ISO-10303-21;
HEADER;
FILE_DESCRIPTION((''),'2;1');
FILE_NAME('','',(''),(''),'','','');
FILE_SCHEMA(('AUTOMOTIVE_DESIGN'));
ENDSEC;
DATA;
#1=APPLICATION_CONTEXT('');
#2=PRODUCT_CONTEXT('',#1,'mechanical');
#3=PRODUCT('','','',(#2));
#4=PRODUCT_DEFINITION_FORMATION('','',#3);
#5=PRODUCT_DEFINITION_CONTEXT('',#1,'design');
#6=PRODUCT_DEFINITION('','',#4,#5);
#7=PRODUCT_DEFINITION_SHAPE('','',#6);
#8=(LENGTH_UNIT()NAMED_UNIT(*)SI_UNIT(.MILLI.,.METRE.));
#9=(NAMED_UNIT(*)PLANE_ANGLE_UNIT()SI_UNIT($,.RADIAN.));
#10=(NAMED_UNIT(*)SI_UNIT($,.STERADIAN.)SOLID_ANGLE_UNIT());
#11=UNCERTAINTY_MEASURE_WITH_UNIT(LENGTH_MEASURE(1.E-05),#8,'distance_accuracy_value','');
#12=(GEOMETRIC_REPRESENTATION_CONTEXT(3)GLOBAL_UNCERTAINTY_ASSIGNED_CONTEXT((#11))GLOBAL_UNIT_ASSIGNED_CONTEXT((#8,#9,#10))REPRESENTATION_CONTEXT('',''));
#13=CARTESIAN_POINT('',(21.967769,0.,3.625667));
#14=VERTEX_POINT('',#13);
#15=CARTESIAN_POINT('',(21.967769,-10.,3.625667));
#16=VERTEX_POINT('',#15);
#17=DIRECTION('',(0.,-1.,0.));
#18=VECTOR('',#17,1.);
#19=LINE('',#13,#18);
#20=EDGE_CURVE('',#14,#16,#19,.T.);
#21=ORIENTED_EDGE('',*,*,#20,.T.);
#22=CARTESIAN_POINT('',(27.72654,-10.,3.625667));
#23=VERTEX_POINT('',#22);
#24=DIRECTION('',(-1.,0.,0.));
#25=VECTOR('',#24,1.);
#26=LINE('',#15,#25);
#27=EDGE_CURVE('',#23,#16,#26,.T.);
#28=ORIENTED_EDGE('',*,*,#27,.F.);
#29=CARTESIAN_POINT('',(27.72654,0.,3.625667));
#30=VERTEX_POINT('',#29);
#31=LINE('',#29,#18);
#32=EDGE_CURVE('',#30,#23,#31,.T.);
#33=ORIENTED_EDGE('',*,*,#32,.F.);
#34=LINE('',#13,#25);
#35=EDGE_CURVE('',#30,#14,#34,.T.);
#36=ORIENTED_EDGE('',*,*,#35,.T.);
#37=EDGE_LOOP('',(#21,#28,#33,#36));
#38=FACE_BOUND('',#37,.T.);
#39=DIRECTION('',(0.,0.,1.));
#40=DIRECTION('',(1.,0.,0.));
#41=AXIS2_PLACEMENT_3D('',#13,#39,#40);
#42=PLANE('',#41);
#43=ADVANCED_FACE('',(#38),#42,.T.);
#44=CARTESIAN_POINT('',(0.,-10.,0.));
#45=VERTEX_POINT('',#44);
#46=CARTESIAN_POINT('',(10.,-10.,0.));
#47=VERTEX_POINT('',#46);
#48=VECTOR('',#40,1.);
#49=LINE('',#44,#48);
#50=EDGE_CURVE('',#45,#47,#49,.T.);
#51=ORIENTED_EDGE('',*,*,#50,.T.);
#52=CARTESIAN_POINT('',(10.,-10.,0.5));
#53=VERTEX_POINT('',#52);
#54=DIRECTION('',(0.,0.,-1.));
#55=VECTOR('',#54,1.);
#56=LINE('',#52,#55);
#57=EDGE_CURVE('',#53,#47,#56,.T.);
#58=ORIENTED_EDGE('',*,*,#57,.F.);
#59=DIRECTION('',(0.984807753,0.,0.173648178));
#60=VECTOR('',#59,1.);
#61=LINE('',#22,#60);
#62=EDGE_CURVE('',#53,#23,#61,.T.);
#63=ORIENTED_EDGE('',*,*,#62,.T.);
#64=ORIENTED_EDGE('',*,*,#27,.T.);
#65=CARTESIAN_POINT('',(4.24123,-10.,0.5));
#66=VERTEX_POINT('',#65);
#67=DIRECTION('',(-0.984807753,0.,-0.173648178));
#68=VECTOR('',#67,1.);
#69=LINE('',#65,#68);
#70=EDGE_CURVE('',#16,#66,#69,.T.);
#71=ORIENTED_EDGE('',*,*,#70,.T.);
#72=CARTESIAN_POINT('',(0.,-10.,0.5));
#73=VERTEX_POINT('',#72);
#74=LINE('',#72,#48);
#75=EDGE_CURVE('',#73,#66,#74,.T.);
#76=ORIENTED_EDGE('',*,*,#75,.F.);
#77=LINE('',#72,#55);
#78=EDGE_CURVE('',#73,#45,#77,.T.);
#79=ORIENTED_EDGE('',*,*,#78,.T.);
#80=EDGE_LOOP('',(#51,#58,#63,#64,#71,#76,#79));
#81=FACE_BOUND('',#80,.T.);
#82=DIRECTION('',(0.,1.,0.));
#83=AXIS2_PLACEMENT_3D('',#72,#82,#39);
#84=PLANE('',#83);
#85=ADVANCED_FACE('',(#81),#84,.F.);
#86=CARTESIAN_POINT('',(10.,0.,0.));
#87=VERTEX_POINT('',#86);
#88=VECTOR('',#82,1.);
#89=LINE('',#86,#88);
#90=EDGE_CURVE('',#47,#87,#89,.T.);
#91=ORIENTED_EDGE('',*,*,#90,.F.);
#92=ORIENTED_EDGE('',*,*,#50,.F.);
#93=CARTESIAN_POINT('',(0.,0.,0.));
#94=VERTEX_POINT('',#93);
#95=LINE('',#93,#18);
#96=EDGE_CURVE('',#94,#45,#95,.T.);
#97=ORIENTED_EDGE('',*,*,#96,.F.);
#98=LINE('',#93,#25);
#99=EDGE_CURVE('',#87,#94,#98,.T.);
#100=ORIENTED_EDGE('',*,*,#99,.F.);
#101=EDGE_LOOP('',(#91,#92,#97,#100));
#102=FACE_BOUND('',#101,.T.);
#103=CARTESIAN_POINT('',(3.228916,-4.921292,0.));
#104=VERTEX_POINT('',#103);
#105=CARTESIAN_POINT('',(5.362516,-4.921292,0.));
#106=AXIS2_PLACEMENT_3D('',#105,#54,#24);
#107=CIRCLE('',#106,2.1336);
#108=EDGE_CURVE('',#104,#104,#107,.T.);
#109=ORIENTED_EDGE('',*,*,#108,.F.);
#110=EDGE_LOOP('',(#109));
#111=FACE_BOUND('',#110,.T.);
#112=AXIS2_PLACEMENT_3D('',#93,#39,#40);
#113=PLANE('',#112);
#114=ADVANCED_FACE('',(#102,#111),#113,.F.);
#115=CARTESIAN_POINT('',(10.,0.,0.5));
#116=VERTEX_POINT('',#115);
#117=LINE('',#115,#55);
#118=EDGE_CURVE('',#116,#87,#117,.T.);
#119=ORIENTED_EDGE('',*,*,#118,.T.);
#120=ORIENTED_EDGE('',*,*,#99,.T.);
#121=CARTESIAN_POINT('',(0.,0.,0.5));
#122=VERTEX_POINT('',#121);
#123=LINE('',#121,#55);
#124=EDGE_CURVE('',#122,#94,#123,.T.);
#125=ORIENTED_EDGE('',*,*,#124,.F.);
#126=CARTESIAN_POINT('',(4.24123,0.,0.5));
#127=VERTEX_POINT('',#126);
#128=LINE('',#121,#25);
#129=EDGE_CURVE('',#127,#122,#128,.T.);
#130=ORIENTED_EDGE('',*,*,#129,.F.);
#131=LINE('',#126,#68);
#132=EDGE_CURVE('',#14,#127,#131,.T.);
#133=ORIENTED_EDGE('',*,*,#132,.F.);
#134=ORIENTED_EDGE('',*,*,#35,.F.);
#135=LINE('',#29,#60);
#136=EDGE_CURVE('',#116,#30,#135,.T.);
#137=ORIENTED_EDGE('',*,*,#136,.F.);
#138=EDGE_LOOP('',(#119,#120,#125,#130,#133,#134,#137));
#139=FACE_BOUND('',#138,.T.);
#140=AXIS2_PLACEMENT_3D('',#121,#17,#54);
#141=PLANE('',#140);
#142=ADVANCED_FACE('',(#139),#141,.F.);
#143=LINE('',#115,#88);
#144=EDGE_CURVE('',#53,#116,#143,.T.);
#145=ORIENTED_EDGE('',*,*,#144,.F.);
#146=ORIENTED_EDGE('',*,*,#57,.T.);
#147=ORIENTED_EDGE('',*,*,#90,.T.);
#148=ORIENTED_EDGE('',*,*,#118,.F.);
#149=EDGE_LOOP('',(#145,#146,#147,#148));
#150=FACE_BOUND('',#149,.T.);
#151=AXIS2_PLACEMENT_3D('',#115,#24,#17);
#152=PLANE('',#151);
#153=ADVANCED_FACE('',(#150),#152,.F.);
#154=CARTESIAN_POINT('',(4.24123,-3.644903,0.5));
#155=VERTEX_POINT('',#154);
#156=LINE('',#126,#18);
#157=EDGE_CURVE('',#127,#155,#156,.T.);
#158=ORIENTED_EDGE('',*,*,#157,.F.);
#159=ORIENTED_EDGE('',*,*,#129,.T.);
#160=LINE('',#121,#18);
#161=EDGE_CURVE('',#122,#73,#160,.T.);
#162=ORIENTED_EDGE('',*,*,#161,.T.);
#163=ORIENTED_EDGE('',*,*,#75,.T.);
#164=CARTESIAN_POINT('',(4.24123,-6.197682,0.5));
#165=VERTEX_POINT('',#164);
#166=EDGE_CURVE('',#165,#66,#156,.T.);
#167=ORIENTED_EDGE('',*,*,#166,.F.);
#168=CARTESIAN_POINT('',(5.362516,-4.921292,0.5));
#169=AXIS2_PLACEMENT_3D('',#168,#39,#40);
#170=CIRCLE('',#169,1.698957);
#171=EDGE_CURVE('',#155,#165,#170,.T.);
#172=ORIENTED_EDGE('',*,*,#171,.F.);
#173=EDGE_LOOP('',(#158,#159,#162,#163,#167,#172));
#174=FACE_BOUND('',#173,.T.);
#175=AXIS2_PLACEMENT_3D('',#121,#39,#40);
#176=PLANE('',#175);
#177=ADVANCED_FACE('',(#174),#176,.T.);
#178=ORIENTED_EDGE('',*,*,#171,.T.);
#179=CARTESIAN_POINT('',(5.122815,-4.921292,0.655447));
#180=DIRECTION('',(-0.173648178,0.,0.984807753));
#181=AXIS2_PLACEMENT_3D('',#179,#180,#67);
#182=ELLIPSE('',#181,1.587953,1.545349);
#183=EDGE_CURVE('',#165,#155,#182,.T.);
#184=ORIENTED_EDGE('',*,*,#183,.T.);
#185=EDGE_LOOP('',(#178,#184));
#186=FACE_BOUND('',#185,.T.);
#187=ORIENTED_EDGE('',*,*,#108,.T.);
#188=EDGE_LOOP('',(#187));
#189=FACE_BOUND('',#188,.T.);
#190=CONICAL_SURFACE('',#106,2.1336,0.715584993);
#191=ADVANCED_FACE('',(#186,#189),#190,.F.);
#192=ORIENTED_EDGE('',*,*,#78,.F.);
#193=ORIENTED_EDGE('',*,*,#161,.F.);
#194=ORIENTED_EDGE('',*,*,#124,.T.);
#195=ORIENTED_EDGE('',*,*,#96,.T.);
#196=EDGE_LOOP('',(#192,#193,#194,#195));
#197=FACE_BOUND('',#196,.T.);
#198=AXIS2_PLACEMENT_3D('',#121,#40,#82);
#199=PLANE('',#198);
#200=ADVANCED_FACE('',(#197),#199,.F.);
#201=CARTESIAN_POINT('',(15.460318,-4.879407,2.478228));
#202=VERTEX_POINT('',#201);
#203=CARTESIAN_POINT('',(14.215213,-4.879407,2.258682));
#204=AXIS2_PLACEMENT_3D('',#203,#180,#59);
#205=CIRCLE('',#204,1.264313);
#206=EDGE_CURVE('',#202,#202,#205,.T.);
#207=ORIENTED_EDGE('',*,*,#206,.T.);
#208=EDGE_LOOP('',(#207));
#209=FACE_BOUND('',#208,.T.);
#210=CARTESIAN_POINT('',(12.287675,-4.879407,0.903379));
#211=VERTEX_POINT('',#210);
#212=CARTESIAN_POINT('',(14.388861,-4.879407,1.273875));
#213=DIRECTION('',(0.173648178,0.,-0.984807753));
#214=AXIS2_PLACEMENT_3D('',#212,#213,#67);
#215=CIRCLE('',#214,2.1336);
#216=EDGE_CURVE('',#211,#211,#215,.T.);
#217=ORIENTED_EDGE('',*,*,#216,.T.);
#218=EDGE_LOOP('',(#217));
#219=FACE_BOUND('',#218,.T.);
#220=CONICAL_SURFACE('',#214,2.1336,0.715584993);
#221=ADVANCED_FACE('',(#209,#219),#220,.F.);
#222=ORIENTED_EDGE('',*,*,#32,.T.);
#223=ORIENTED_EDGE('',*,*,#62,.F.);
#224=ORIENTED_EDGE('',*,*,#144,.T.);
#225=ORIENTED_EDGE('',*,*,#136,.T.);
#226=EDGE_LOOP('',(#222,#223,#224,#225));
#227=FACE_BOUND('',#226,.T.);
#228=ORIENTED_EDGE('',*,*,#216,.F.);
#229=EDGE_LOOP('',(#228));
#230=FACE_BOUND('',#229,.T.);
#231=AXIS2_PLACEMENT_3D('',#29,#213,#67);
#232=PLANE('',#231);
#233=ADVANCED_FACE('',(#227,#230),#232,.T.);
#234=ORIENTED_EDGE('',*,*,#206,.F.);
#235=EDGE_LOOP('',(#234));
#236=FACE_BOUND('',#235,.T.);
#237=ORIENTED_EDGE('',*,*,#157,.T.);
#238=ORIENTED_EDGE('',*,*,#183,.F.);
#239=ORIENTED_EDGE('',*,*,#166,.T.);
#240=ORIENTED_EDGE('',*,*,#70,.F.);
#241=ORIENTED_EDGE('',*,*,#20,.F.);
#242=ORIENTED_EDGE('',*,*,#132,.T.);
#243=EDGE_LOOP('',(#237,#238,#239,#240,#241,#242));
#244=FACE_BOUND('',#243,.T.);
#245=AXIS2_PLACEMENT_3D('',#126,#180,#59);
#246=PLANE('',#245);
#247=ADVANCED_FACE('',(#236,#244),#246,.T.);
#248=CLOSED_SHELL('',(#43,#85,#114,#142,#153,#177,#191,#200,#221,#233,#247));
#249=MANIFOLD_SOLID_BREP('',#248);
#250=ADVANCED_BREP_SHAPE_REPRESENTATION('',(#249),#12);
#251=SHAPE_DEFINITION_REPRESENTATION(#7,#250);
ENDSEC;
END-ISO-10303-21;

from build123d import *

# Parameters (mm, degrees)
SKETCH2_W                                         = 10
SKETCH2_H                                         = 10
BOSS_EXTRUDE1_DEPTH                               = 0.5
BOSS_EXTRUDE2_DEPTH                               = 10
CSK_FOR_1_FLAT_HEAD_SOCKET_CAP_SCREW1_D           = 2.0574
CSK_FOR_1_FLAT_HEAD_SOCKET_CAP_SCREW1_CSINK_D     = 4.2672
CSK_FOR_1_FLAT_HEAD_SOCKET_CAP_SCREW1_CSINK_ANGLE = 82
CSK_FOR_1_FLAT_HEAD_SOCKET_CAP_SCREW2_D           = 2.0574
CSK_FOR_1_FLAT_HEAD_SOCKET_CAP_SCREW2_CSINK_D     = 4.2672
CSK_FOR_1_FLAT_HEAD_SOCKET_CAP_SCREW2_CSINK_ANGLE = 82


with BuildPart() as part:
    # Sketch2 → Boss-Extrude1 (new body)
    with BuildSketch(Plane.XY):
        with Locations((5, -5)):
            Rectangle(SKETCH2_W, SKETCH2_H)
    extrude(amount=BOSS_EXTRUDE1_DEPTH)

    # Sketch3 → Boss-Extrude2 (add)
    with BuildSketch(Plane.XZ.offset(10)):
        Polygon((4.241229517, 0.5), (21.967769071, 3.625667198), (27.726539554, 3.625667198), (10, 0.5), align=None)
    extrude(amount=-BOSS_EXTRUDE2_DEPTH)

    # CSK for #1 Flat Head Socket Cap Screw1 (through all)
    with Locations(Plane(origin=(0, 0, 0), x_dir=(-1, 0, 0), z_dir=(0, 0, -1))):
        with Locations((-5.362516401, -4.921292394)):
            CounterSinkHole(CSK_FOR_1_FLAT_HEAD_SOCKET_CAP_SCREW1_D / 2, CSK_FOR_1_FLAT_HEAD_SOCKET_CAP_SCREW1_CSINK_D / 2, counter_sink_angle=CSK_FOR_1_FLAT_HEAD_SOCKET_CAP_SCREW1_CSINK_ANGLE)

    # CSK for #1 Flat Head Socket Cap Screw2 (through all)
    with Locations(Plane(origin=(0.21603186, 0, -1.225177561), x_dir=(-0.984807753, 0, -0.173648178), z_dir=(0.173648178, 0, -0.984807753))):
        with Locations((-14.39146791, -4.879407471)):
            CounterSinkHole(CSK_FOR_1_FLAT_HEAD_SOCKET_CAP_SCREW2_D / 2, CSK_FOR_1_FLAT_HEAD_SOCKET_CAP_SCREW2_CSINK_D / 2, counter_sink_angle=CSK_FOR_1_FLAT_HEAD_SOCKET_CAP_SCREW2_CSINK_ANGLE)


solid = part.part
